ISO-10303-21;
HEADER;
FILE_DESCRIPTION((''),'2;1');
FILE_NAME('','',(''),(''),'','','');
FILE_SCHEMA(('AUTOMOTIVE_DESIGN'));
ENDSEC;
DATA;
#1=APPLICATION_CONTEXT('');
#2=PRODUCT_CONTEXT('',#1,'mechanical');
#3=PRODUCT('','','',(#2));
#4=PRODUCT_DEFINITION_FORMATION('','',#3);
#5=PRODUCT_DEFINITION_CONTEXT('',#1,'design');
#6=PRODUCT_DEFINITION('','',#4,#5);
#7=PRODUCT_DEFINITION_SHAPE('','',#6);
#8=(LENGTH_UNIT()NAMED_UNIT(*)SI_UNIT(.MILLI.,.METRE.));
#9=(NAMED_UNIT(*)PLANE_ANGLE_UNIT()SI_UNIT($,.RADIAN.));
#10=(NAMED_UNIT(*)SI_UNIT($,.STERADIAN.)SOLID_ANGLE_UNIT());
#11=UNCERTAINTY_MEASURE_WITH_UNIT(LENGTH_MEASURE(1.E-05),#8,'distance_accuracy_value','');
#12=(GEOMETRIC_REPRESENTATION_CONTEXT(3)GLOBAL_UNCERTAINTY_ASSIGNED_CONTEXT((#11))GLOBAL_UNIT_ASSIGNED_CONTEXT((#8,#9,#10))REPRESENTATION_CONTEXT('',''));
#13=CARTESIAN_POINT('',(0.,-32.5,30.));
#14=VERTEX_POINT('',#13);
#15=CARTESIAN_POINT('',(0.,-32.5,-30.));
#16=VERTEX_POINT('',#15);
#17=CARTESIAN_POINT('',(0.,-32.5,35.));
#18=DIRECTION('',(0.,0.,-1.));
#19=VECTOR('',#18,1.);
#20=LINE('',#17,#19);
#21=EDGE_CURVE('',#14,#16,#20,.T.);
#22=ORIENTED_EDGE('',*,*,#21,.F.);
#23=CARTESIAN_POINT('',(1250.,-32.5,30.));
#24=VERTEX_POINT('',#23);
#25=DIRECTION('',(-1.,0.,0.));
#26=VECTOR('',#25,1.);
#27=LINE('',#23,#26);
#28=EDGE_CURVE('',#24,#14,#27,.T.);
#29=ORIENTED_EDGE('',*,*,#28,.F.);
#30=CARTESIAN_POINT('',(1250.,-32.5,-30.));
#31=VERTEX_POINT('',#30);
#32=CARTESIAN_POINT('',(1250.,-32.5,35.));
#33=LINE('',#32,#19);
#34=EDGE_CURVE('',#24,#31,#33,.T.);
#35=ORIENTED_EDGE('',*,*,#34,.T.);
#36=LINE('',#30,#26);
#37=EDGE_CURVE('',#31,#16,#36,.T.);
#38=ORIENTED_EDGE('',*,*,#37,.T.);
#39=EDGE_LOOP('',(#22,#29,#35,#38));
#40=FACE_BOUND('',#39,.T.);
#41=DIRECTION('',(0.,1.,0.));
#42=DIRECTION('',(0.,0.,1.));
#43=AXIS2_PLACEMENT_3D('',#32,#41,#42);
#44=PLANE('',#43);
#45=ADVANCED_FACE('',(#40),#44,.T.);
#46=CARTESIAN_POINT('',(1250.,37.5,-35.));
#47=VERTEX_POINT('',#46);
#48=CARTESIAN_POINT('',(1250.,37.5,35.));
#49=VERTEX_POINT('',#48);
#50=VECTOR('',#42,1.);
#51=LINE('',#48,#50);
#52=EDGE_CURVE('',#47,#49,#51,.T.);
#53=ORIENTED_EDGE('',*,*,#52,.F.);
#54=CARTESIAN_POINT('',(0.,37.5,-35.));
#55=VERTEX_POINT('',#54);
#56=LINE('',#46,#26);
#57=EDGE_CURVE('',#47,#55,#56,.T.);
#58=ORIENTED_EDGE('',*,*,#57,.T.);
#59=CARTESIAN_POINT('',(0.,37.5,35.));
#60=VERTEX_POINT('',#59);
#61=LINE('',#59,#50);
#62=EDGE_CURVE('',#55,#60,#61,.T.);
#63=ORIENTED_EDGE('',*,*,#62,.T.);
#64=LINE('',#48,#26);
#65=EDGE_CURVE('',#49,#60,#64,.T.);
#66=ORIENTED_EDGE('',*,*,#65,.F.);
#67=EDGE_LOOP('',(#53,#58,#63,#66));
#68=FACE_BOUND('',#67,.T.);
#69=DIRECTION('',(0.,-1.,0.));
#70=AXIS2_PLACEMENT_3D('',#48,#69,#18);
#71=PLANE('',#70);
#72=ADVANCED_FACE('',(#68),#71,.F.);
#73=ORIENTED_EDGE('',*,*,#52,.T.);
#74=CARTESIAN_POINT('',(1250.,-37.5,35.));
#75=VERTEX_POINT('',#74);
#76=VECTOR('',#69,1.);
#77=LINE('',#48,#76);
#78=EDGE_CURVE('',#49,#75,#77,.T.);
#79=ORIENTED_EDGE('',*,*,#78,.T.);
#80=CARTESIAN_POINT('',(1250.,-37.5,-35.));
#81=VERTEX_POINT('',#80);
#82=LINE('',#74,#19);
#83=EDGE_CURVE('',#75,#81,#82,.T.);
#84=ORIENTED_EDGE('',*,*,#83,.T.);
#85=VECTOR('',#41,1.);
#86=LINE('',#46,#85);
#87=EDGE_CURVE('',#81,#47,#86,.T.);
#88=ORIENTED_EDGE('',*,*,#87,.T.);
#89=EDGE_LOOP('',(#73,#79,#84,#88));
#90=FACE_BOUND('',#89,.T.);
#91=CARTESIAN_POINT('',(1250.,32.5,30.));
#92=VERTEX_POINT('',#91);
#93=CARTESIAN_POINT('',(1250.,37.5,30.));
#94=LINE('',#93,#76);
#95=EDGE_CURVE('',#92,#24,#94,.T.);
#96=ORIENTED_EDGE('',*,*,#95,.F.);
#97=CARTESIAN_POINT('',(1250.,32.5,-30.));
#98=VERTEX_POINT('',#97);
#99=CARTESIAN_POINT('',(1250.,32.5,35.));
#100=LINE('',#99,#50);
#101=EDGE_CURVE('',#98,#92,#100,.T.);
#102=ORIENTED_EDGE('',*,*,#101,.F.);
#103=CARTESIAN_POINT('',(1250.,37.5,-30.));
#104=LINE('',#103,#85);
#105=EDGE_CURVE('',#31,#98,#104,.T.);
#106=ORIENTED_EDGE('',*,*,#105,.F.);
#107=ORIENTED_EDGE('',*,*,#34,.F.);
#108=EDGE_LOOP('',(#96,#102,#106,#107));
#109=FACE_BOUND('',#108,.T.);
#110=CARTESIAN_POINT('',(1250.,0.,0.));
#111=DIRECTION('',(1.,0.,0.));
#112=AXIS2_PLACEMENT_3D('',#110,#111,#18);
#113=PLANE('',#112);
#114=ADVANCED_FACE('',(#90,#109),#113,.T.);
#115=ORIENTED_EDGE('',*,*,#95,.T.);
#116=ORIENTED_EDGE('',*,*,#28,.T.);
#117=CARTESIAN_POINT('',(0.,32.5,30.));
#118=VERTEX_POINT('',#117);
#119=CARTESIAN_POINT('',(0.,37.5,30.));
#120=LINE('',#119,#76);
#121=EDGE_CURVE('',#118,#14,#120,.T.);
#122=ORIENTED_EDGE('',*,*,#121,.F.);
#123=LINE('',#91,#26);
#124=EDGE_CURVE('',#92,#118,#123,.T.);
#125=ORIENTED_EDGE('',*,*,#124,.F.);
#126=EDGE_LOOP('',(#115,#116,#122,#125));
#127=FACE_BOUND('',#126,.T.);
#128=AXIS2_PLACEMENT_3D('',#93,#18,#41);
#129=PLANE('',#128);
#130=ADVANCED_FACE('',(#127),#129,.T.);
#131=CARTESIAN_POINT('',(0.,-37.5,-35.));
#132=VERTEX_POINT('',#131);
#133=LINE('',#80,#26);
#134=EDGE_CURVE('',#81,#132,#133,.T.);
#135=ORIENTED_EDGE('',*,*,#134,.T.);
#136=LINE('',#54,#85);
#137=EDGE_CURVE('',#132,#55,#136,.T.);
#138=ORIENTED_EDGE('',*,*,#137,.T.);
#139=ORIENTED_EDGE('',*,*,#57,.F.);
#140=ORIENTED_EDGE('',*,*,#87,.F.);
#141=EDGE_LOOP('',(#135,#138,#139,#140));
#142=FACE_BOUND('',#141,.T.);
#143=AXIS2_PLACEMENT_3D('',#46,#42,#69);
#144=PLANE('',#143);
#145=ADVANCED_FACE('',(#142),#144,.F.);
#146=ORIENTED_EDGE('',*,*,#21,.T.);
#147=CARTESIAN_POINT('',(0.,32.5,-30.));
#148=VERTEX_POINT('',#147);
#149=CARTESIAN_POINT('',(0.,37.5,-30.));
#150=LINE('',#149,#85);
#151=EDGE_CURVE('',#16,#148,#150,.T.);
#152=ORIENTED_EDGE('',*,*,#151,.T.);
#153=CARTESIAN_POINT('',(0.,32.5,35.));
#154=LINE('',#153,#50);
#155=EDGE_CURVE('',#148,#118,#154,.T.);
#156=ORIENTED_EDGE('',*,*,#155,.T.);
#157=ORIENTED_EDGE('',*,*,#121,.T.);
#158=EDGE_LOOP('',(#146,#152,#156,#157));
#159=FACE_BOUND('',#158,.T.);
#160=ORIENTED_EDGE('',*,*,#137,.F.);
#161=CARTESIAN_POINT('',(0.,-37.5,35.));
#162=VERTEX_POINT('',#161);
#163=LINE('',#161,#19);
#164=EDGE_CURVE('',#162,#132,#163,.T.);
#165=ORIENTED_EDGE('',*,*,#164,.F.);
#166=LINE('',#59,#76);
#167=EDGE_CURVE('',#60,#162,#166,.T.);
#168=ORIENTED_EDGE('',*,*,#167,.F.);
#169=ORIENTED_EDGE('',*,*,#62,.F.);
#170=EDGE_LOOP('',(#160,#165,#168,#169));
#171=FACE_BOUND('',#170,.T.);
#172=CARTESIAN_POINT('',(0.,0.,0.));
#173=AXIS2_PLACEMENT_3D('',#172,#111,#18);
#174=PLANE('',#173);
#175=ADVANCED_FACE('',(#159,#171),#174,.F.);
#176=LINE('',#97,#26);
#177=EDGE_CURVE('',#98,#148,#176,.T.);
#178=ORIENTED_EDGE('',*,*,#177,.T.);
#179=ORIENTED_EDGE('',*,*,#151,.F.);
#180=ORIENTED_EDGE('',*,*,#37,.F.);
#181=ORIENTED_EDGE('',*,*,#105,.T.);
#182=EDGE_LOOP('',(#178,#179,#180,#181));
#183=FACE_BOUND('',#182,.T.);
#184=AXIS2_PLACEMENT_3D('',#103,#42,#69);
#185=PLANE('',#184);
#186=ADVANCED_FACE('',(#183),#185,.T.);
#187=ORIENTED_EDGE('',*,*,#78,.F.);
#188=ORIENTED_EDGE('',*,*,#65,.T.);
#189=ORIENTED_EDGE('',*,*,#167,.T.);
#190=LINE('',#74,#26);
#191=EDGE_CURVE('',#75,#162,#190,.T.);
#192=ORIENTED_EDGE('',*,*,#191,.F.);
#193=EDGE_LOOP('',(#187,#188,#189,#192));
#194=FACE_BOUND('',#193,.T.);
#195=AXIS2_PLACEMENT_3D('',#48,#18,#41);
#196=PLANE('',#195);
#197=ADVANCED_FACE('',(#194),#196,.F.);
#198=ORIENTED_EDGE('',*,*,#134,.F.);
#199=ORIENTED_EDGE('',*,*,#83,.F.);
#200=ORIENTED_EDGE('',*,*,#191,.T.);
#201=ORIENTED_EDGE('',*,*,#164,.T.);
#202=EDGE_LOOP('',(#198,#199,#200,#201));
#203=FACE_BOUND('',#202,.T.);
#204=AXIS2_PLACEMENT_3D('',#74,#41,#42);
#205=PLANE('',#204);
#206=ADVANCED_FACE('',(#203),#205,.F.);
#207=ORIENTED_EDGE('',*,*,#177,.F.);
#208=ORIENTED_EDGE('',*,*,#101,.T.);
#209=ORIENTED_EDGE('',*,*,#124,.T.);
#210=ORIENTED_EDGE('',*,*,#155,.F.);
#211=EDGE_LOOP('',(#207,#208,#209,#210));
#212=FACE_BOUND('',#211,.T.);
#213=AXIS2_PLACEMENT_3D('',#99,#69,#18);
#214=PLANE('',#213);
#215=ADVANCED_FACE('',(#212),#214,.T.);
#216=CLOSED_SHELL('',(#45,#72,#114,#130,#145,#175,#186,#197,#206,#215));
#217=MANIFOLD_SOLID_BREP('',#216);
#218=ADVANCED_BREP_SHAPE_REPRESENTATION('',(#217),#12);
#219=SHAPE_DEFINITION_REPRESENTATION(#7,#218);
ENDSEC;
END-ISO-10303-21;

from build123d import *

# Parameters (mm, degrees)
SKETCH_2_W      = 70
SKETCH_2_H      = 75
SKETCH_2_W_2    = 60
SKETCH_2_H_2    = 65
EXTRUDE_1_DEPTH = 1250


with BuildPart() as part:
    # Эскиз2 → Вытянуть-Тонкостенный1 (new body)
    with BuildSketch(Plane(origin=(0, 0, 0), x_dir=(0, 0, -1), z_dir=(1, 0, 0))):
        Rectangle(SKETCH_2_W, SKETCH_2_H)
        Rectangle(SKETCH_2_W_2, SKETCH_2_H_2, mode=Mode.SUBTRACT)
    extrude(amount=EXTRUDE_1_DEPTH)


solid = part.part
